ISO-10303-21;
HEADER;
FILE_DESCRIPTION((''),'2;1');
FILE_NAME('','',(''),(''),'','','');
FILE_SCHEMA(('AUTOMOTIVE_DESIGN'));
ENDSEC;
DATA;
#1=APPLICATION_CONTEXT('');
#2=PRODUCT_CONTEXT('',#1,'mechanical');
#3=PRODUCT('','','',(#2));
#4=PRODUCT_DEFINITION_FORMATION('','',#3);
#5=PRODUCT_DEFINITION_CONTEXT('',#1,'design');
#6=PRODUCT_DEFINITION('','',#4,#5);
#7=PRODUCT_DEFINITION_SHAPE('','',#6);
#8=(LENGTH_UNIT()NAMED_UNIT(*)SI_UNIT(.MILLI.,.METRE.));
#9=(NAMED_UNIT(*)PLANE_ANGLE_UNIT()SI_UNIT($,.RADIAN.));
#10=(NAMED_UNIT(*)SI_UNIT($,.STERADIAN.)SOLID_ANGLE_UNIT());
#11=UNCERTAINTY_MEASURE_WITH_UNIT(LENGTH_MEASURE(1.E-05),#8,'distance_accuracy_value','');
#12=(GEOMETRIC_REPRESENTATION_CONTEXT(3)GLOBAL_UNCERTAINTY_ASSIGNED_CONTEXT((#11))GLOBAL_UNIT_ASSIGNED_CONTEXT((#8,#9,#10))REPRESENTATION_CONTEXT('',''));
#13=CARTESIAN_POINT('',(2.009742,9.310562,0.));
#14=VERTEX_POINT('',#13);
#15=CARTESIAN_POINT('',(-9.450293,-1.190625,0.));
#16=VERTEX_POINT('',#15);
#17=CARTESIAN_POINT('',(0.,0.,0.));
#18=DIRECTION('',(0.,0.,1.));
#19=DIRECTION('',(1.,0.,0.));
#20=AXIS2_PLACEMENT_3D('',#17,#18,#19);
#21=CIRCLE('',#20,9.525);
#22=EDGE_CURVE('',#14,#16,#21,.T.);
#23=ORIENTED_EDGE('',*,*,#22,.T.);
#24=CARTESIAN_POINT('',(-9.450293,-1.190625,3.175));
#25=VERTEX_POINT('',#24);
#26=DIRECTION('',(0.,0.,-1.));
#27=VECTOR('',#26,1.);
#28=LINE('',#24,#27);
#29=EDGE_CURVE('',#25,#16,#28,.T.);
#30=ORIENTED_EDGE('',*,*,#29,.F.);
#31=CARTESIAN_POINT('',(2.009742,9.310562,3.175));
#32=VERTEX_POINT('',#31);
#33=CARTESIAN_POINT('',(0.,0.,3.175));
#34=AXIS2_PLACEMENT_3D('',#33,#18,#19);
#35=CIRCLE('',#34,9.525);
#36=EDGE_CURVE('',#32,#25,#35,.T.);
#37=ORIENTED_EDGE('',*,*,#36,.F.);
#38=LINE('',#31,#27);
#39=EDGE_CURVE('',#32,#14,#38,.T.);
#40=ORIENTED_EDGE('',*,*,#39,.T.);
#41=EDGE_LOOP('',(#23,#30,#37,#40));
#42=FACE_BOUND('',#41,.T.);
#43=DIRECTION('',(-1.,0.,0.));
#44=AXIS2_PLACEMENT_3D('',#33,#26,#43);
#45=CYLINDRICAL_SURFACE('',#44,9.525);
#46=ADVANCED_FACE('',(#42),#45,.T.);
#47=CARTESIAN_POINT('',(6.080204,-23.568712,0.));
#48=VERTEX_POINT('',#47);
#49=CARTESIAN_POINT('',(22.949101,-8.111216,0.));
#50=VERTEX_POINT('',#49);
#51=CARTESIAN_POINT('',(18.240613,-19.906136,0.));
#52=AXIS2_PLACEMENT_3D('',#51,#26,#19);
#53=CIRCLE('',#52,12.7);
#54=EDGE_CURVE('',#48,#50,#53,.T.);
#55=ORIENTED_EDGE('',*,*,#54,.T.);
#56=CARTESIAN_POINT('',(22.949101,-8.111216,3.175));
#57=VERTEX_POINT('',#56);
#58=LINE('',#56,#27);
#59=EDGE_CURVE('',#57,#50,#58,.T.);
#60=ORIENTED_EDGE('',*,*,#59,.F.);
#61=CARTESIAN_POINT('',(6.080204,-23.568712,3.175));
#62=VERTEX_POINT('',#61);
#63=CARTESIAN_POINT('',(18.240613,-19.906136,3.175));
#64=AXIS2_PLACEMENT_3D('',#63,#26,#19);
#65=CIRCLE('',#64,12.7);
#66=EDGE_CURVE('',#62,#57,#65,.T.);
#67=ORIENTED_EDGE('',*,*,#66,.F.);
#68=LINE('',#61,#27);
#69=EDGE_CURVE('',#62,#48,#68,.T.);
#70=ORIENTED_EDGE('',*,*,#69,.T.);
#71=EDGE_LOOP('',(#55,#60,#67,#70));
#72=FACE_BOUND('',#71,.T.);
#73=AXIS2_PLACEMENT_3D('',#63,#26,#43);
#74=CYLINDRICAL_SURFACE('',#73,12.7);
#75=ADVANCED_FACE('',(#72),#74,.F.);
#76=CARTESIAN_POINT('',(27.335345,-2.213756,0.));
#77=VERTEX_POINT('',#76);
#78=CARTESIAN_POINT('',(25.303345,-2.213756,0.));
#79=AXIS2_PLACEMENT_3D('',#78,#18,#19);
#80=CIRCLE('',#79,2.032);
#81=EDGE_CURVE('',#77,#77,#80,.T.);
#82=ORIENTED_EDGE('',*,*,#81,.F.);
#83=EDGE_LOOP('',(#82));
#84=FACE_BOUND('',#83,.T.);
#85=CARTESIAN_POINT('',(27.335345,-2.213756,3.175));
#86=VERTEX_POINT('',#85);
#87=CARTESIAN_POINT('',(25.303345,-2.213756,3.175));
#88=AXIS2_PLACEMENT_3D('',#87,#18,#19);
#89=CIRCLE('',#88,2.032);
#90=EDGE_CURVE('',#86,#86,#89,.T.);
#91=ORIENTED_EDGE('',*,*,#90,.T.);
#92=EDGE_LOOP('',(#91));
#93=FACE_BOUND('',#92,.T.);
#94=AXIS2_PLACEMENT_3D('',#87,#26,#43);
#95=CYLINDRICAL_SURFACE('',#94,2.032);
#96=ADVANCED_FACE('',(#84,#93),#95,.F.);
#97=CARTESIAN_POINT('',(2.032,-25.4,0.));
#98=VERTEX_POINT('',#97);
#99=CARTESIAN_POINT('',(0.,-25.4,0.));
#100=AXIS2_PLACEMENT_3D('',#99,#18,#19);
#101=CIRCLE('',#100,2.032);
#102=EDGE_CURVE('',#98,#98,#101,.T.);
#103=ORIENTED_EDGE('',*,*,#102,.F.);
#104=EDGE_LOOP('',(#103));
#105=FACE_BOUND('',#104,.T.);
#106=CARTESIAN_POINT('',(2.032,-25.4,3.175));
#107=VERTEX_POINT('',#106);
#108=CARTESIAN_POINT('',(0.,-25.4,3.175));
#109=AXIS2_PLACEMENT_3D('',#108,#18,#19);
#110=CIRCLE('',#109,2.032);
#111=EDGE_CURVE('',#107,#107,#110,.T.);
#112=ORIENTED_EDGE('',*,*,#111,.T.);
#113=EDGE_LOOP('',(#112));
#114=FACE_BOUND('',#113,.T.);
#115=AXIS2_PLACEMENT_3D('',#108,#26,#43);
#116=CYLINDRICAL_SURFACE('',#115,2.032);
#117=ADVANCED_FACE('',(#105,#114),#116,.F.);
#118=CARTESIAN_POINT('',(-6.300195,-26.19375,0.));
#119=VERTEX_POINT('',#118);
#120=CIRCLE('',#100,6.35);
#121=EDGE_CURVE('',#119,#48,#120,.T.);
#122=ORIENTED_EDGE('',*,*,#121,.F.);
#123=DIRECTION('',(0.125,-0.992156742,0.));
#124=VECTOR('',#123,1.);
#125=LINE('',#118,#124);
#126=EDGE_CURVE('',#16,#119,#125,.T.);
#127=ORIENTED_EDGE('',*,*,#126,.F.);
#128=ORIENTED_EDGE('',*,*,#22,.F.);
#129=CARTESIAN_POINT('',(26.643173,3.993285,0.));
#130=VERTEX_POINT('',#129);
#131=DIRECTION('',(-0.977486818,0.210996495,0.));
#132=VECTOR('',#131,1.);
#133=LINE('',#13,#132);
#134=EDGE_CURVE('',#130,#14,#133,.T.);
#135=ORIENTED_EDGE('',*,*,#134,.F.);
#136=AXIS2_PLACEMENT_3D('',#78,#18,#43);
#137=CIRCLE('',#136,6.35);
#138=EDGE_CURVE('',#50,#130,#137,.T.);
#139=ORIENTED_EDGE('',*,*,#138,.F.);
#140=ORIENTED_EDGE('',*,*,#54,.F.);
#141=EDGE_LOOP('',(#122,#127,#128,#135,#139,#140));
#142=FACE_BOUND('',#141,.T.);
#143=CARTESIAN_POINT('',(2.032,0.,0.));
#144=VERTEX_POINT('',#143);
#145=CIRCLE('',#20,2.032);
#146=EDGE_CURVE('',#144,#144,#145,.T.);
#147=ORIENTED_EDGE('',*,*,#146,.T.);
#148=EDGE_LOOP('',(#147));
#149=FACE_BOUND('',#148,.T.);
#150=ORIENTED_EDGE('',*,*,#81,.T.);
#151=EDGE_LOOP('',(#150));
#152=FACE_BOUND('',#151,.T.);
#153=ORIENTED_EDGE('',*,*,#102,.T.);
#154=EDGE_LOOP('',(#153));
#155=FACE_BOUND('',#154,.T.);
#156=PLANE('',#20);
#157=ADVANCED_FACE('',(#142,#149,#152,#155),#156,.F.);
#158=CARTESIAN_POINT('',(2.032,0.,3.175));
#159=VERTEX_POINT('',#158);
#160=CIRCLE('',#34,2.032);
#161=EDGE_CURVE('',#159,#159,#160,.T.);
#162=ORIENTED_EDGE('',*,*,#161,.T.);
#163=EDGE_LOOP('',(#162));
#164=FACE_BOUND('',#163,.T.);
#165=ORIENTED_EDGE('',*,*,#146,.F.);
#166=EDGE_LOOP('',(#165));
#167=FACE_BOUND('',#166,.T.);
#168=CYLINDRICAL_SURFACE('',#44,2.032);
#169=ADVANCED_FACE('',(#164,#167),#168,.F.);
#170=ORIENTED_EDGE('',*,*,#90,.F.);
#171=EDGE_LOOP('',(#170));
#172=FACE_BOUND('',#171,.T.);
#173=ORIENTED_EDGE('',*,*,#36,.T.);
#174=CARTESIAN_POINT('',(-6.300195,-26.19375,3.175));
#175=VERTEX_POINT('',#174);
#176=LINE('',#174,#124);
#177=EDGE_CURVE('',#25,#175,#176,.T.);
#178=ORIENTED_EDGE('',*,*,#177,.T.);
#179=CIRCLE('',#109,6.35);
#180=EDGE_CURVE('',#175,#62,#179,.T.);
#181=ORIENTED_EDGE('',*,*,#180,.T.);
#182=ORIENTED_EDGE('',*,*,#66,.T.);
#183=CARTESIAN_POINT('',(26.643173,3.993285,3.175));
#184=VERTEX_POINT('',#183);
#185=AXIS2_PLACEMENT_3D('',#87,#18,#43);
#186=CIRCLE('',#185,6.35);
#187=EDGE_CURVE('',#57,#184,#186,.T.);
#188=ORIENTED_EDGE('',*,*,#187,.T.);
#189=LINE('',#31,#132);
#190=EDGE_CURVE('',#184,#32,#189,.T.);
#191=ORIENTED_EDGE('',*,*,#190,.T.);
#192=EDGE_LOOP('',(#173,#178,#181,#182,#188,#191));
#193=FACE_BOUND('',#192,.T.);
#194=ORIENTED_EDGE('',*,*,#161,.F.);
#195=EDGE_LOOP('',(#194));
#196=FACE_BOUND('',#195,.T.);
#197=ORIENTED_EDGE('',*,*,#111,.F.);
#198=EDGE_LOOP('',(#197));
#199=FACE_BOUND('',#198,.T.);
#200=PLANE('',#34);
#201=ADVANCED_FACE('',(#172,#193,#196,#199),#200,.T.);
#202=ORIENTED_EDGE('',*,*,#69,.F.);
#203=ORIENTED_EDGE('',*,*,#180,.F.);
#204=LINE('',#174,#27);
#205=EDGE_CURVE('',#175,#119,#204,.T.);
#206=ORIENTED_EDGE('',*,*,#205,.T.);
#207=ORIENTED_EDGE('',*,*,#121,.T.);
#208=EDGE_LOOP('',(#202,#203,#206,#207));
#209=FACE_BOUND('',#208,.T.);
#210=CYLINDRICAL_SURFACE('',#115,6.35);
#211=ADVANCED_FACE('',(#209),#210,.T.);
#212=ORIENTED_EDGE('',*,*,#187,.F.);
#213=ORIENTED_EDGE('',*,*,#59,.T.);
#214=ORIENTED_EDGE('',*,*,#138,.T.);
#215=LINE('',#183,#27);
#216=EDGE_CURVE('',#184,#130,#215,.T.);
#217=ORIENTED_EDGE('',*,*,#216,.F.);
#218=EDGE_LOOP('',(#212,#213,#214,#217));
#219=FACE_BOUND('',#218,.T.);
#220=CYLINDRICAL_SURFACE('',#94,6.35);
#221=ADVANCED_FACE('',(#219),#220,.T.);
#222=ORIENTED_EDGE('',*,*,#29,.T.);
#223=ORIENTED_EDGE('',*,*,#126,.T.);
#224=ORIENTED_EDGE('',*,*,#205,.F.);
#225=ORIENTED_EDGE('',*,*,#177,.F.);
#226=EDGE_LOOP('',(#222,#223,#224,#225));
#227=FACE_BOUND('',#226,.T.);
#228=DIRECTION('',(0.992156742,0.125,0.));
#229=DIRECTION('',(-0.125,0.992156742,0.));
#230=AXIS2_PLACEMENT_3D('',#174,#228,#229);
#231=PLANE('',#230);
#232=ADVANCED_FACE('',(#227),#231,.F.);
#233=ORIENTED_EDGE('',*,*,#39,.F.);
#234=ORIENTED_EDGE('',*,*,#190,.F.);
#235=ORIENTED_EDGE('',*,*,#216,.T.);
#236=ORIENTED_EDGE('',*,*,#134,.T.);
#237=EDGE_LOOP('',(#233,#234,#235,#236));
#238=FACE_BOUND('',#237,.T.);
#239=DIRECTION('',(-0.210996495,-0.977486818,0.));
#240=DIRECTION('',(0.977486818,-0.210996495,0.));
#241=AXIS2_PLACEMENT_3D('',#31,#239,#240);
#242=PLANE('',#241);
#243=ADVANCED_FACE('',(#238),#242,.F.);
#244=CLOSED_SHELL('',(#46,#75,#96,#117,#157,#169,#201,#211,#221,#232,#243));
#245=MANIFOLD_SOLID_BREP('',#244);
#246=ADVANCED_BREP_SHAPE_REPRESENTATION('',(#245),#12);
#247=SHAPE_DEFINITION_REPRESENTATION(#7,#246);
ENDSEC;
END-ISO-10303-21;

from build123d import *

# Parameters (mm, degrees)
SKETCH1_R           = 2.032
BOSS_EXTRUDE1_DEPTH = 3.175


with BuildPart() as part:
    # Sketch1 → Boss-Extrude1 (new body)
    with BuildSketch(Plane.XY):
        with BuildLine():
            Line((-6.300195309, -26.19375), (-9.450292964, -1.190625))
            ThreePointArc((-9.450292964, -1.190625), (-6.434996728, 7.022566633), (2.009741615, 9.31056194))
            Line((2.009741615, 9.31056194), (26.643173075, 3.993285428))
            ThreePointArc((26.643173075, 3.993285428), (31.376812055, -4.067266578), (22.949101168, -8.111215863))
            ThreePointArc((22.949101168, -8.111215863), (9.660617203, -10.542713679), (6.08020428, -23.568711952))
            ThreePointArc((6.08020428, -23.568711952), (1.317120041, -31.611899452), (-6.300195309, -26.19375))
        make_face()
        Circle(SKETCH1_R, mode=Mode.SUBTRACT)
        with Locations((25.303345332, -2.213755866)):
            Circle(SKETCH1_R, mode=Mode.SUBTRACT)
        with Locations((0, -25.4)):
            Circle(SKETCH1_R, mode=Mode.SUBTRACT)
    extrude(amount=BOSS_EXTRUDE1_DEPTH)


solid = part.part
